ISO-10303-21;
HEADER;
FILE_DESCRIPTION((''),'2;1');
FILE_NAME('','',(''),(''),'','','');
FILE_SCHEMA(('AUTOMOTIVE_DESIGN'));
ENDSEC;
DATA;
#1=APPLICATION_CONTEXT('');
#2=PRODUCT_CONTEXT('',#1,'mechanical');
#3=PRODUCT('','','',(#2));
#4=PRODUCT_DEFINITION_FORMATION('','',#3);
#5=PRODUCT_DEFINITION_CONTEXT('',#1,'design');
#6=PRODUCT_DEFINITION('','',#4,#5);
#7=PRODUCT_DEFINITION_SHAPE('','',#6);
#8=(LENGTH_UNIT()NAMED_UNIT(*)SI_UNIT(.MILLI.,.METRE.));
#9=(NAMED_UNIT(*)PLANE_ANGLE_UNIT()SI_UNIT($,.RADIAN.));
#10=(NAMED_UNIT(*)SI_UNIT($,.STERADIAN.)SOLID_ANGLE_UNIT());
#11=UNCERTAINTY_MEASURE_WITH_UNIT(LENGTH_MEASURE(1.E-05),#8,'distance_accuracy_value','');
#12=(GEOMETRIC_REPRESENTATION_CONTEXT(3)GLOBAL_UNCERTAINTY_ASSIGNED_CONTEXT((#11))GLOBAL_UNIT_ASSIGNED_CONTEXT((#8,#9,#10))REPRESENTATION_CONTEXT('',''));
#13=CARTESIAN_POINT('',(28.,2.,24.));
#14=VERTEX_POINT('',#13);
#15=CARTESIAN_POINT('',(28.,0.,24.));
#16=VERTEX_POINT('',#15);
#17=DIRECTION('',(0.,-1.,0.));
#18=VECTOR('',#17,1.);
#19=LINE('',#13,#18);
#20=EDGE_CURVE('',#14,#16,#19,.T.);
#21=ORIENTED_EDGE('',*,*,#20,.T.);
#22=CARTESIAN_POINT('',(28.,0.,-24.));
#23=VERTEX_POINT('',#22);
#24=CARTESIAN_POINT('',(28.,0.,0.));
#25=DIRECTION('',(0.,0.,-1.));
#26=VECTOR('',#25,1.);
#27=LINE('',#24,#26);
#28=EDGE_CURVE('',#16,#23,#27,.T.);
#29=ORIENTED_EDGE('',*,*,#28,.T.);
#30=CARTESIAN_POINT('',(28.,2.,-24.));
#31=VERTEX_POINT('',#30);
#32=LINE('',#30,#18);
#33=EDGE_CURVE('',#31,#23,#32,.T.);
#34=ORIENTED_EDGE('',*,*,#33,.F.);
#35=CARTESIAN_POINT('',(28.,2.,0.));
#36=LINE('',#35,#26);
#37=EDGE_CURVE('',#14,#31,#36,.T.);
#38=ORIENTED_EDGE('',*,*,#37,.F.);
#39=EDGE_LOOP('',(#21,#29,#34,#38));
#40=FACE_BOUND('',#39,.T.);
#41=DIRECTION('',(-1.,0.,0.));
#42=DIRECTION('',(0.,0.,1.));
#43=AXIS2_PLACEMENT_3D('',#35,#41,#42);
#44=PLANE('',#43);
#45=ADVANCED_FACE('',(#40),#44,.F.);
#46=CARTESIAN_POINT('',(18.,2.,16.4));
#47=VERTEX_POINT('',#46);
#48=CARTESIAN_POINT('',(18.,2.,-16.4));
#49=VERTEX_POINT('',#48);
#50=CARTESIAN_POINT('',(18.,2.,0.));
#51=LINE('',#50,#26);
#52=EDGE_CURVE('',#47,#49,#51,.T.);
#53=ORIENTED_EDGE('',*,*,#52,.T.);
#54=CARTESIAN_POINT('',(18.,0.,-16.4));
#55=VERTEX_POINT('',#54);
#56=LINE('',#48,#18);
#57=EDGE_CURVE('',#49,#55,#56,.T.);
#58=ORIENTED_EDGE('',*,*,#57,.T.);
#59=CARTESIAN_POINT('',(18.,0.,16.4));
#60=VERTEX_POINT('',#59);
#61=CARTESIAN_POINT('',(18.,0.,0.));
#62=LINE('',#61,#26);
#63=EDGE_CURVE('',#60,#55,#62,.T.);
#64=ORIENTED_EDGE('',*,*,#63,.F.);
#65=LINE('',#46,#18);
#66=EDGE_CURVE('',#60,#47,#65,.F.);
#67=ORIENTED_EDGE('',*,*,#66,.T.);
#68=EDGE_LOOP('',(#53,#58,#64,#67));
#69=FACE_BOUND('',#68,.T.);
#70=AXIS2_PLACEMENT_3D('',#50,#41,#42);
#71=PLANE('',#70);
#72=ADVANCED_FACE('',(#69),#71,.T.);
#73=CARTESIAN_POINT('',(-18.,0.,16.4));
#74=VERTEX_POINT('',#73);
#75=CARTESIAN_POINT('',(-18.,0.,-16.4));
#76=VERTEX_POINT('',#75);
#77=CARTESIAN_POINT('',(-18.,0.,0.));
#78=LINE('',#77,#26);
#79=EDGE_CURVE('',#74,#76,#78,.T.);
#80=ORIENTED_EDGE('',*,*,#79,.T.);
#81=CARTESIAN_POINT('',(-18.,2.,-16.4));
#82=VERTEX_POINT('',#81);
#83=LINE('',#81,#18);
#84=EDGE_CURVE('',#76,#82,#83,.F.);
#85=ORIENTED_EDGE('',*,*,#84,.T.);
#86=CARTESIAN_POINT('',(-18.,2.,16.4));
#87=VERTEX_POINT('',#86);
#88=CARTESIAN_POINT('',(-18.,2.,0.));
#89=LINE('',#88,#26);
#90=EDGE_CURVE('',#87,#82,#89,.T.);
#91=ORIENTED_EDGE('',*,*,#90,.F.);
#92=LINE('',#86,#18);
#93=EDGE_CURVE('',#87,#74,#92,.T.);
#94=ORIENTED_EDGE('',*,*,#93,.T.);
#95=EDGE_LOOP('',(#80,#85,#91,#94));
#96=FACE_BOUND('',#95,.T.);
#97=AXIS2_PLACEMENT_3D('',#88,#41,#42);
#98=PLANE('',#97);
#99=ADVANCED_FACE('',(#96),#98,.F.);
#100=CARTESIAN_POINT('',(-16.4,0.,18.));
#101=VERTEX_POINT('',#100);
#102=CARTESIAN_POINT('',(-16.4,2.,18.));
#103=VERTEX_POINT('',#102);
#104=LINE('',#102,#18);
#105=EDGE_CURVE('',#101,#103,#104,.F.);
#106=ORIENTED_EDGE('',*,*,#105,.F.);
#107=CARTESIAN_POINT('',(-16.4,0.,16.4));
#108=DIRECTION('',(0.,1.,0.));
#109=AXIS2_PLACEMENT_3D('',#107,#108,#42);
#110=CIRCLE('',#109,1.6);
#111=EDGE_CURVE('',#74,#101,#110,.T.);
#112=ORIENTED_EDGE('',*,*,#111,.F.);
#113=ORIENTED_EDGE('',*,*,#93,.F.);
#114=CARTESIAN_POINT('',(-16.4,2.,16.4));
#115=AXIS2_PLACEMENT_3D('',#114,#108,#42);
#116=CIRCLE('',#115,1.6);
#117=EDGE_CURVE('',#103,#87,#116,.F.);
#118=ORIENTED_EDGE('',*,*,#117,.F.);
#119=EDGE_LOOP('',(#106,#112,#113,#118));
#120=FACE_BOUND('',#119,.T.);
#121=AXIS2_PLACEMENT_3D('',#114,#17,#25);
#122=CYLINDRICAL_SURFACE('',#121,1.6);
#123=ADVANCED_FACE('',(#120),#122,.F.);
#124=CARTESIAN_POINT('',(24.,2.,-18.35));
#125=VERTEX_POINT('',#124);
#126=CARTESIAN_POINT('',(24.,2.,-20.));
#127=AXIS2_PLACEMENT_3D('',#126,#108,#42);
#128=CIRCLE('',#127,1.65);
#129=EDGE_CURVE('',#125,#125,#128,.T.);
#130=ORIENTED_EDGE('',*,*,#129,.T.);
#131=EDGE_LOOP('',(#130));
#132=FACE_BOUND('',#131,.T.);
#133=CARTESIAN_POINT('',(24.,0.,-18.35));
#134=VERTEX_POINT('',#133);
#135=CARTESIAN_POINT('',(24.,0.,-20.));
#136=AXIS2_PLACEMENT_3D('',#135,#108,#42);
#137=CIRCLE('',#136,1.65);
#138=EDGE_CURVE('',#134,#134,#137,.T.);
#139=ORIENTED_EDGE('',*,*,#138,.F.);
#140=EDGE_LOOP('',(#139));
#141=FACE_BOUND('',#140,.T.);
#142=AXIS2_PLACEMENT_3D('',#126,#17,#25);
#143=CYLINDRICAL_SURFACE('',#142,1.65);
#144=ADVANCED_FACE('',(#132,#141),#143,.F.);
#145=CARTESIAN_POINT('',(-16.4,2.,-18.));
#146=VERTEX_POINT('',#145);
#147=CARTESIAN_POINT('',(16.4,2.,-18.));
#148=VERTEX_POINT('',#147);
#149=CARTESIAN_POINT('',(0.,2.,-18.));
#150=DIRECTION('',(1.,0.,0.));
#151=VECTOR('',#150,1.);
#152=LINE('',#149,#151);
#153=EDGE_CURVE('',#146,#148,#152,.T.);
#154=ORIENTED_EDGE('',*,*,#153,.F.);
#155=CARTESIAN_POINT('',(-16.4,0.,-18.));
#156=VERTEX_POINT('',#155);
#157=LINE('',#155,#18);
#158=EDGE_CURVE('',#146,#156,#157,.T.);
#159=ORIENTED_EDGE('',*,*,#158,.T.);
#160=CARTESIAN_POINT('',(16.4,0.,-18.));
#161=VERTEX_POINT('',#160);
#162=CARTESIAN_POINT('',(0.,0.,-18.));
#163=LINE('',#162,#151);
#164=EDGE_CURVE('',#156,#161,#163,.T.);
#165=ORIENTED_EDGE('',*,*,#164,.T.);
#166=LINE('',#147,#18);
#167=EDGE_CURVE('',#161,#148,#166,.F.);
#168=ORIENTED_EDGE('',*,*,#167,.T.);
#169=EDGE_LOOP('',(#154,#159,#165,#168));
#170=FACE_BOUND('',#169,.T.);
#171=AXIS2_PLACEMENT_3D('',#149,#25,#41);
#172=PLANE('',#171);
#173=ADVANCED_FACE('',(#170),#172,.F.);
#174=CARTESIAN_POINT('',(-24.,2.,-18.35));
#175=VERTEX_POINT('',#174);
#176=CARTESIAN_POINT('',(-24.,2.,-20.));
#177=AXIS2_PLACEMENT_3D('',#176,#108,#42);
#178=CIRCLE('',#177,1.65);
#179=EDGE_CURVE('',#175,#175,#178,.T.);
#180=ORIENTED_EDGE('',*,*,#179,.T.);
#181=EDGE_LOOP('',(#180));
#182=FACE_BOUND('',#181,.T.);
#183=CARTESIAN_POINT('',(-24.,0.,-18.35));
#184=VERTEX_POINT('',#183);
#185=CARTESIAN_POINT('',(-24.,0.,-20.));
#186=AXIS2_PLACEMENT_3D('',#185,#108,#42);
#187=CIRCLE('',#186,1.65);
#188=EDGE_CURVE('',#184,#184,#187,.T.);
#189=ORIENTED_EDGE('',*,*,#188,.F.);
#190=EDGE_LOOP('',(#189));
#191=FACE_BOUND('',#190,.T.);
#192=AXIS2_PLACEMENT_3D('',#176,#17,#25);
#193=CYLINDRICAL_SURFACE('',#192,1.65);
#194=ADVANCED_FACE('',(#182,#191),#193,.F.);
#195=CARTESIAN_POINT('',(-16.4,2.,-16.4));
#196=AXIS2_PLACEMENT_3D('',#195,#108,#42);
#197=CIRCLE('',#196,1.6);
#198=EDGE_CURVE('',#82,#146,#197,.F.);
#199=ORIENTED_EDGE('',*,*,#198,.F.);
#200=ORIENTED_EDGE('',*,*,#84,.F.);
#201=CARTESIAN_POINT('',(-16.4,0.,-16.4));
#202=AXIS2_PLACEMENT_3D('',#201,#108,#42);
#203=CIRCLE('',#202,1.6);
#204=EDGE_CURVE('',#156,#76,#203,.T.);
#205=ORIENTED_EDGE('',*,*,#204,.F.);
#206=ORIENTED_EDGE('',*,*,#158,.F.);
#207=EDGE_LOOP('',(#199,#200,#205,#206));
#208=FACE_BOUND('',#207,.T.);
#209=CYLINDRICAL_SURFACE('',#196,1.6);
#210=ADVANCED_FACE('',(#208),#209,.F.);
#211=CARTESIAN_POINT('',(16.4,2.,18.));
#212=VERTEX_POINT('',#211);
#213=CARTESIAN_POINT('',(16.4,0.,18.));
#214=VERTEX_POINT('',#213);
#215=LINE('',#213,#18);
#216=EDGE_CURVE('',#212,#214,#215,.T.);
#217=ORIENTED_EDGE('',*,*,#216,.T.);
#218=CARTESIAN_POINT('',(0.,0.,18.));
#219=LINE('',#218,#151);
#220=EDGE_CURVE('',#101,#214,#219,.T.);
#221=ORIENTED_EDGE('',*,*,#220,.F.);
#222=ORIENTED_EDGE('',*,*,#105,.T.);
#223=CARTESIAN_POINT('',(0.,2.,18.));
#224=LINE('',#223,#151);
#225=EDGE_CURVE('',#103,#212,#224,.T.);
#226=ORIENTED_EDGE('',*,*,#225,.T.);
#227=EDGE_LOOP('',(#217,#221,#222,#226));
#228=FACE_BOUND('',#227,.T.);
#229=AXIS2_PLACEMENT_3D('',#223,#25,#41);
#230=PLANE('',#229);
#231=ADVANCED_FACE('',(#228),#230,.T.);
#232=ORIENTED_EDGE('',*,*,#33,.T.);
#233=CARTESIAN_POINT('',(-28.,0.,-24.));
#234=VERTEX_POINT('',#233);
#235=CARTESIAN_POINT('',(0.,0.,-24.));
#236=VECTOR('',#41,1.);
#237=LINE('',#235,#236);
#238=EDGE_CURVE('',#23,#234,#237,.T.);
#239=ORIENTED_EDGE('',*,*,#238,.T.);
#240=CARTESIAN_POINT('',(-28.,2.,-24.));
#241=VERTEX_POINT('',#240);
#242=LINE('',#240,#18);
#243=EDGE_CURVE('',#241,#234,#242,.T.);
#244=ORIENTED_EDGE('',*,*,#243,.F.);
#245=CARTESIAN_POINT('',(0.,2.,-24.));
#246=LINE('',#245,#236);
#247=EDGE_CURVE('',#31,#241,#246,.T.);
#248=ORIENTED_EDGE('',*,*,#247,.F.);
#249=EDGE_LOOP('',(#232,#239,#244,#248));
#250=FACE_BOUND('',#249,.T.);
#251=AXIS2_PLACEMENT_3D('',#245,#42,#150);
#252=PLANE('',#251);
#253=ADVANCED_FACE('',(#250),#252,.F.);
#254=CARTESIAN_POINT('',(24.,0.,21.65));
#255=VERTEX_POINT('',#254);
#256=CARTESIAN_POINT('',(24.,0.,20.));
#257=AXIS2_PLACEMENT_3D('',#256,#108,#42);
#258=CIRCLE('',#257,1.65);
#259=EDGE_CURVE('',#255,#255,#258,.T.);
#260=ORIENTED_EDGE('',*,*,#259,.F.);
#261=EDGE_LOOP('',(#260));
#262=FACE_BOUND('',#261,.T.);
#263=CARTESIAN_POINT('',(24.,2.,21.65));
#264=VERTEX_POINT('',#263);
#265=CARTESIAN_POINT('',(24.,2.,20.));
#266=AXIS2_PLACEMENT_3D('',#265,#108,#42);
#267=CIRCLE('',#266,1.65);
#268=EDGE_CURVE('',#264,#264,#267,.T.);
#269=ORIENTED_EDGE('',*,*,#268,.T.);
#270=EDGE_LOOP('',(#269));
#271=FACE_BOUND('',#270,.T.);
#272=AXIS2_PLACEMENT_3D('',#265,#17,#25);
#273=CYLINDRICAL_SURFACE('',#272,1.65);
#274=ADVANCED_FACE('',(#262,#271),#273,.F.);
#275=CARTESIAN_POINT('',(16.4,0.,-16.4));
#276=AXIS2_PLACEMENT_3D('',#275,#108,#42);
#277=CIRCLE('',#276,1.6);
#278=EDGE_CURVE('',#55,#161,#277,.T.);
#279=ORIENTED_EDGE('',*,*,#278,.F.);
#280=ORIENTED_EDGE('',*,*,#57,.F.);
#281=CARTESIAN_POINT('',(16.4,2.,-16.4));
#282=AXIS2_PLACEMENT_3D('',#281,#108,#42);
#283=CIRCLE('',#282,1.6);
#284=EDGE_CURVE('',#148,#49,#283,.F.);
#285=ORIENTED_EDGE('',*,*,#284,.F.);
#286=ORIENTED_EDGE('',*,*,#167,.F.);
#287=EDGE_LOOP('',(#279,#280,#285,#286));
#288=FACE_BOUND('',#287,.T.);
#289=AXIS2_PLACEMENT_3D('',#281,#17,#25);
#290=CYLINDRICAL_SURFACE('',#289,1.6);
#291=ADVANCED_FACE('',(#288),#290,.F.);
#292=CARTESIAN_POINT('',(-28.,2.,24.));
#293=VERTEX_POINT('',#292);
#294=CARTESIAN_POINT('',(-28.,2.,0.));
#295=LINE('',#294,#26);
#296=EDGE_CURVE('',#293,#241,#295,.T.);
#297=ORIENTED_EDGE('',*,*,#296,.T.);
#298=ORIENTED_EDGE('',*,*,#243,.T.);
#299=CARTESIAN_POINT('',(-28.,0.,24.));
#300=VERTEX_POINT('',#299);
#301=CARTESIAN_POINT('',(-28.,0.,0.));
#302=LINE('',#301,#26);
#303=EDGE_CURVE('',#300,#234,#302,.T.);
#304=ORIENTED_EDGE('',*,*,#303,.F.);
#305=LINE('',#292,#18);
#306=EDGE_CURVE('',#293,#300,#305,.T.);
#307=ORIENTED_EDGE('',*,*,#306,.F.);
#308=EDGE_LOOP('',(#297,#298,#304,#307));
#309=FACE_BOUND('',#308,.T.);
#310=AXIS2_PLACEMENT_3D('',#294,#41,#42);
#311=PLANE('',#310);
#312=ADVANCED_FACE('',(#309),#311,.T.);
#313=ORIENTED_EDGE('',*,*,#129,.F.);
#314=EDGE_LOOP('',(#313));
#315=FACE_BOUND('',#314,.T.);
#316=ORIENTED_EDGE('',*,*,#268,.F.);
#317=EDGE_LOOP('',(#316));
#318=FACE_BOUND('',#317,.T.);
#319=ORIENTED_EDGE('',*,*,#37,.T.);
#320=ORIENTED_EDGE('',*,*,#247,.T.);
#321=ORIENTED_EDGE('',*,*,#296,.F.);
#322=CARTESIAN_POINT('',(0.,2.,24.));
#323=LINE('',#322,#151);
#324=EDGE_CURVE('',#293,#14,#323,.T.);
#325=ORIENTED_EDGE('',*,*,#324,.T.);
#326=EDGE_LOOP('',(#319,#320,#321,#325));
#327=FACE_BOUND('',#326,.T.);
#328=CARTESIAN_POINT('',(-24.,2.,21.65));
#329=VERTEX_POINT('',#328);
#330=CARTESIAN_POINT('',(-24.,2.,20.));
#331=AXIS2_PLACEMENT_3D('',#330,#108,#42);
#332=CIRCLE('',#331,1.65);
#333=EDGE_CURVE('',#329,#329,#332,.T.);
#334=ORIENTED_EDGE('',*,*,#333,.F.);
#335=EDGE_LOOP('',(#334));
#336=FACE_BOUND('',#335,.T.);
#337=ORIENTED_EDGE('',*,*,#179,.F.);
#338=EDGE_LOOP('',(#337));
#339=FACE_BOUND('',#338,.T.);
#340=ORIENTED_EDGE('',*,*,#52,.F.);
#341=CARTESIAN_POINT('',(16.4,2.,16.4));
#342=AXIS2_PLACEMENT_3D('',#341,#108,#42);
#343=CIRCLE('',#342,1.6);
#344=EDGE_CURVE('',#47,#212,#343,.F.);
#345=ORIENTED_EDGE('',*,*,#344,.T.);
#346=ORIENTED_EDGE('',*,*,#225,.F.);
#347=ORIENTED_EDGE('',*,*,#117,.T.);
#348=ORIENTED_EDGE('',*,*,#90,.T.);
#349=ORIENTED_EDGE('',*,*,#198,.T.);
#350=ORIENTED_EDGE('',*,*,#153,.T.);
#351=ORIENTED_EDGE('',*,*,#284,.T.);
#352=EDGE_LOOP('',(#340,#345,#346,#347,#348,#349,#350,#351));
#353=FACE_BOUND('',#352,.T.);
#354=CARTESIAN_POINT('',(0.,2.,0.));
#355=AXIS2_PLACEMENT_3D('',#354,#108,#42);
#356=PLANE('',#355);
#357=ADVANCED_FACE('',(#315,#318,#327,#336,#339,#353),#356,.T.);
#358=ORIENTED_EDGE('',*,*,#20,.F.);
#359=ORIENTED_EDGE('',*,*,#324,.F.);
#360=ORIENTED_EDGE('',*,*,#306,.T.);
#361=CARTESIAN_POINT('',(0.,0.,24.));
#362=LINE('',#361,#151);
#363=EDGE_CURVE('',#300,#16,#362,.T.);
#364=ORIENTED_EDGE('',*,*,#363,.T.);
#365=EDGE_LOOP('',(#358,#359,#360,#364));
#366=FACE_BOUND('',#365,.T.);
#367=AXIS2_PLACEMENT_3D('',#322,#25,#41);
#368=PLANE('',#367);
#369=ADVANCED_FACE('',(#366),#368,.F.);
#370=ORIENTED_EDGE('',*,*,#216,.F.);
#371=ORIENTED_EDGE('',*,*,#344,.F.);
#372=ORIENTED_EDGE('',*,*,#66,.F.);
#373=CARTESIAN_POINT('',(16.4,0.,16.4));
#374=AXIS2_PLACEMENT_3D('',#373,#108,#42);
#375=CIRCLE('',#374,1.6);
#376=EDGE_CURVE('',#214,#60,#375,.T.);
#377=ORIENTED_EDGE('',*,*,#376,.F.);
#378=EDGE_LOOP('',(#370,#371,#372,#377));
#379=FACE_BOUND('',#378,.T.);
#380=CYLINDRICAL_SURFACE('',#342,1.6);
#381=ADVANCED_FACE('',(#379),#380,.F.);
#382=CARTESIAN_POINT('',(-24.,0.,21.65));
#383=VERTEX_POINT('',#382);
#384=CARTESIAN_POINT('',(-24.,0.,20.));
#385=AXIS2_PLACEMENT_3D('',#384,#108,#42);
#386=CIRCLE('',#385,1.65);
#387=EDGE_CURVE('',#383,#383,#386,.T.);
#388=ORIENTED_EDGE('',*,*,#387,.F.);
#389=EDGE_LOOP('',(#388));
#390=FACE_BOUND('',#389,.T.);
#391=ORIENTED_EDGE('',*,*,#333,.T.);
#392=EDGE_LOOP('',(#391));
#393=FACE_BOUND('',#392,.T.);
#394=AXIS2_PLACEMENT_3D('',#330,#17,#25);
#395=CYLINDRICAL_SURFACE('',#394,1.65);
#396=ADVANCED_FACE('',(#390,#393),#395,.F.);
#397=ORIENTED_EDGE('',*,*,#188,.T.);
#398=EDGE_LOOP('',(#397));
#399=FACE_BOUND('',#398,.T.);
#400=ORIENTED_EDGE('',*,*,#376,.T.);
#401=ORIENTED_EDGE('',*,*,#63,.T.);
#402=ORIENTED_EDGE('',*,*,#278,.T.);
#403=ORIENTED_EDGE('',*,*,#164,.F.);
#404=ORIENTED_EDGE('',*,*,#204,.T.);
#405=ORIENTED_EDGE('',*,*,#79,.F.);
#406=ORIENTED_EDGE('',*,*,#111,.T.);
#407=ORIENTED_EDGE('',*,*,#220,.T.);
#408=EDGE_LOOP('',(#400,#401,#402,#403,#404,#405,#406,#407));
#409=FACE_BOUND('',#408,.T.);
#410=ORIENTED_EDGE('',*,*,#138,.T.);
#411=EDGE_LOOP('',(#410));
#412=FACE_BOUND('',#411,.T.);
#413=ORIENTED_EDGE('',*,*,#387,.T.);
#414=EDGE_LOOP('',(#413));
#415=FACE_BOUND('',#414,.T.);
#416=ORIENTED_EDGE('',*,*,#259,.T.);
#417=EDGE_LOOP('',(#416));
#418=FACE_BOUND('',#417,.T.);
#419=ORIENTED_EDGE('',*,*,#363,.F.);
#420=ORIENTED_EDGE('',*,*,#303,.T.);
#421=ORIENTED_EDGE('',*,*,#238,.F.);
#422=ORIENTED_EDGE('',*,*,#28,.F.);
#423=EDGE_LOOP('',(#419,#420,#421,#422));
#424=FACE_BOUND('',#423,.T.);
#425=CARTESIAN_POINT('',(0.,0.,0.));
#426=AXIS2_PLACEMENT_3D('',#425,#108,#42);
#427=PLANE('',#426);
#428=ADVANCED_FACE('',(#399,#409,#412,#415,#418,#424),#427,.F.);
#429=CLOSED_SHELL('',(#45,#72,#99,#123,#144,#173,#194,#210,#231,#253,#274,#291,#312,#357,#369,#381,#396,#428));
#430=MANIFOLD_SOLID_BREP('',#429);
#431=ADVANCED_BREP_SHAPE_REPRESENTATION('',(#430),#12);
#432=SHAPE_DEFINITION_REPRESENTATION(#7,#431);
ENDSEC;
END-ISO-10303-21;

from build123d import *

# Parameters (mm, degrees)
SKETCH1_W           = 56
SKETCH1_H           = 48
SKETCH1_R           = 1.65
SKETCH1_W_2         = 36
SKETCH1_H_2         = 36
BOSS_EXTRUDE1_DEPTH = 2
FILLET1_R           = 1.6


with BuildPart() as part:
    # Sketch1 → Boss-Extrude1 (new body)
    with BuildSketch(Plane(origin=(0, 0, 0), x_dir=(1, 0, 0), z_dir=(0, 1, 0))):
        Rectangle(SKETCH1_W, SKETCH1_H)
        with Locations((-24, 20)):
            Circle(SKETCH1_R, mode=Mode.SUBTRACT)
        with Locations((-24, -20)):
            Circle(SKETCH1_R, mode=Mode.SUBTRACT)
        with Locations((24, 20)):
            Circle(SKETCH1_R, mode=Mode.SUBTRACT)
        with Locations((24, -20)):
            Circle(SKETCH1_R, mode=Mode.SUBTRACT)
        Rectangle(SKETCH1_W_2, SKETCH1_H_2, mode=Mode.SUBTRACT)
    extrude(amount=BOSS_EXTRUDE1_DEPTH)

    # Fillet1
    fillet1_edges = [part.edges().sort_by_distance(p)[0] for p in [
        (18, 1, -18),
        (-18, 1, -18),
        (-18, 1, 18),
        (18, 1, 18),
    ]]
    fillet(fillet1_edges, radius=FILLET1_R)


solid = part.part
